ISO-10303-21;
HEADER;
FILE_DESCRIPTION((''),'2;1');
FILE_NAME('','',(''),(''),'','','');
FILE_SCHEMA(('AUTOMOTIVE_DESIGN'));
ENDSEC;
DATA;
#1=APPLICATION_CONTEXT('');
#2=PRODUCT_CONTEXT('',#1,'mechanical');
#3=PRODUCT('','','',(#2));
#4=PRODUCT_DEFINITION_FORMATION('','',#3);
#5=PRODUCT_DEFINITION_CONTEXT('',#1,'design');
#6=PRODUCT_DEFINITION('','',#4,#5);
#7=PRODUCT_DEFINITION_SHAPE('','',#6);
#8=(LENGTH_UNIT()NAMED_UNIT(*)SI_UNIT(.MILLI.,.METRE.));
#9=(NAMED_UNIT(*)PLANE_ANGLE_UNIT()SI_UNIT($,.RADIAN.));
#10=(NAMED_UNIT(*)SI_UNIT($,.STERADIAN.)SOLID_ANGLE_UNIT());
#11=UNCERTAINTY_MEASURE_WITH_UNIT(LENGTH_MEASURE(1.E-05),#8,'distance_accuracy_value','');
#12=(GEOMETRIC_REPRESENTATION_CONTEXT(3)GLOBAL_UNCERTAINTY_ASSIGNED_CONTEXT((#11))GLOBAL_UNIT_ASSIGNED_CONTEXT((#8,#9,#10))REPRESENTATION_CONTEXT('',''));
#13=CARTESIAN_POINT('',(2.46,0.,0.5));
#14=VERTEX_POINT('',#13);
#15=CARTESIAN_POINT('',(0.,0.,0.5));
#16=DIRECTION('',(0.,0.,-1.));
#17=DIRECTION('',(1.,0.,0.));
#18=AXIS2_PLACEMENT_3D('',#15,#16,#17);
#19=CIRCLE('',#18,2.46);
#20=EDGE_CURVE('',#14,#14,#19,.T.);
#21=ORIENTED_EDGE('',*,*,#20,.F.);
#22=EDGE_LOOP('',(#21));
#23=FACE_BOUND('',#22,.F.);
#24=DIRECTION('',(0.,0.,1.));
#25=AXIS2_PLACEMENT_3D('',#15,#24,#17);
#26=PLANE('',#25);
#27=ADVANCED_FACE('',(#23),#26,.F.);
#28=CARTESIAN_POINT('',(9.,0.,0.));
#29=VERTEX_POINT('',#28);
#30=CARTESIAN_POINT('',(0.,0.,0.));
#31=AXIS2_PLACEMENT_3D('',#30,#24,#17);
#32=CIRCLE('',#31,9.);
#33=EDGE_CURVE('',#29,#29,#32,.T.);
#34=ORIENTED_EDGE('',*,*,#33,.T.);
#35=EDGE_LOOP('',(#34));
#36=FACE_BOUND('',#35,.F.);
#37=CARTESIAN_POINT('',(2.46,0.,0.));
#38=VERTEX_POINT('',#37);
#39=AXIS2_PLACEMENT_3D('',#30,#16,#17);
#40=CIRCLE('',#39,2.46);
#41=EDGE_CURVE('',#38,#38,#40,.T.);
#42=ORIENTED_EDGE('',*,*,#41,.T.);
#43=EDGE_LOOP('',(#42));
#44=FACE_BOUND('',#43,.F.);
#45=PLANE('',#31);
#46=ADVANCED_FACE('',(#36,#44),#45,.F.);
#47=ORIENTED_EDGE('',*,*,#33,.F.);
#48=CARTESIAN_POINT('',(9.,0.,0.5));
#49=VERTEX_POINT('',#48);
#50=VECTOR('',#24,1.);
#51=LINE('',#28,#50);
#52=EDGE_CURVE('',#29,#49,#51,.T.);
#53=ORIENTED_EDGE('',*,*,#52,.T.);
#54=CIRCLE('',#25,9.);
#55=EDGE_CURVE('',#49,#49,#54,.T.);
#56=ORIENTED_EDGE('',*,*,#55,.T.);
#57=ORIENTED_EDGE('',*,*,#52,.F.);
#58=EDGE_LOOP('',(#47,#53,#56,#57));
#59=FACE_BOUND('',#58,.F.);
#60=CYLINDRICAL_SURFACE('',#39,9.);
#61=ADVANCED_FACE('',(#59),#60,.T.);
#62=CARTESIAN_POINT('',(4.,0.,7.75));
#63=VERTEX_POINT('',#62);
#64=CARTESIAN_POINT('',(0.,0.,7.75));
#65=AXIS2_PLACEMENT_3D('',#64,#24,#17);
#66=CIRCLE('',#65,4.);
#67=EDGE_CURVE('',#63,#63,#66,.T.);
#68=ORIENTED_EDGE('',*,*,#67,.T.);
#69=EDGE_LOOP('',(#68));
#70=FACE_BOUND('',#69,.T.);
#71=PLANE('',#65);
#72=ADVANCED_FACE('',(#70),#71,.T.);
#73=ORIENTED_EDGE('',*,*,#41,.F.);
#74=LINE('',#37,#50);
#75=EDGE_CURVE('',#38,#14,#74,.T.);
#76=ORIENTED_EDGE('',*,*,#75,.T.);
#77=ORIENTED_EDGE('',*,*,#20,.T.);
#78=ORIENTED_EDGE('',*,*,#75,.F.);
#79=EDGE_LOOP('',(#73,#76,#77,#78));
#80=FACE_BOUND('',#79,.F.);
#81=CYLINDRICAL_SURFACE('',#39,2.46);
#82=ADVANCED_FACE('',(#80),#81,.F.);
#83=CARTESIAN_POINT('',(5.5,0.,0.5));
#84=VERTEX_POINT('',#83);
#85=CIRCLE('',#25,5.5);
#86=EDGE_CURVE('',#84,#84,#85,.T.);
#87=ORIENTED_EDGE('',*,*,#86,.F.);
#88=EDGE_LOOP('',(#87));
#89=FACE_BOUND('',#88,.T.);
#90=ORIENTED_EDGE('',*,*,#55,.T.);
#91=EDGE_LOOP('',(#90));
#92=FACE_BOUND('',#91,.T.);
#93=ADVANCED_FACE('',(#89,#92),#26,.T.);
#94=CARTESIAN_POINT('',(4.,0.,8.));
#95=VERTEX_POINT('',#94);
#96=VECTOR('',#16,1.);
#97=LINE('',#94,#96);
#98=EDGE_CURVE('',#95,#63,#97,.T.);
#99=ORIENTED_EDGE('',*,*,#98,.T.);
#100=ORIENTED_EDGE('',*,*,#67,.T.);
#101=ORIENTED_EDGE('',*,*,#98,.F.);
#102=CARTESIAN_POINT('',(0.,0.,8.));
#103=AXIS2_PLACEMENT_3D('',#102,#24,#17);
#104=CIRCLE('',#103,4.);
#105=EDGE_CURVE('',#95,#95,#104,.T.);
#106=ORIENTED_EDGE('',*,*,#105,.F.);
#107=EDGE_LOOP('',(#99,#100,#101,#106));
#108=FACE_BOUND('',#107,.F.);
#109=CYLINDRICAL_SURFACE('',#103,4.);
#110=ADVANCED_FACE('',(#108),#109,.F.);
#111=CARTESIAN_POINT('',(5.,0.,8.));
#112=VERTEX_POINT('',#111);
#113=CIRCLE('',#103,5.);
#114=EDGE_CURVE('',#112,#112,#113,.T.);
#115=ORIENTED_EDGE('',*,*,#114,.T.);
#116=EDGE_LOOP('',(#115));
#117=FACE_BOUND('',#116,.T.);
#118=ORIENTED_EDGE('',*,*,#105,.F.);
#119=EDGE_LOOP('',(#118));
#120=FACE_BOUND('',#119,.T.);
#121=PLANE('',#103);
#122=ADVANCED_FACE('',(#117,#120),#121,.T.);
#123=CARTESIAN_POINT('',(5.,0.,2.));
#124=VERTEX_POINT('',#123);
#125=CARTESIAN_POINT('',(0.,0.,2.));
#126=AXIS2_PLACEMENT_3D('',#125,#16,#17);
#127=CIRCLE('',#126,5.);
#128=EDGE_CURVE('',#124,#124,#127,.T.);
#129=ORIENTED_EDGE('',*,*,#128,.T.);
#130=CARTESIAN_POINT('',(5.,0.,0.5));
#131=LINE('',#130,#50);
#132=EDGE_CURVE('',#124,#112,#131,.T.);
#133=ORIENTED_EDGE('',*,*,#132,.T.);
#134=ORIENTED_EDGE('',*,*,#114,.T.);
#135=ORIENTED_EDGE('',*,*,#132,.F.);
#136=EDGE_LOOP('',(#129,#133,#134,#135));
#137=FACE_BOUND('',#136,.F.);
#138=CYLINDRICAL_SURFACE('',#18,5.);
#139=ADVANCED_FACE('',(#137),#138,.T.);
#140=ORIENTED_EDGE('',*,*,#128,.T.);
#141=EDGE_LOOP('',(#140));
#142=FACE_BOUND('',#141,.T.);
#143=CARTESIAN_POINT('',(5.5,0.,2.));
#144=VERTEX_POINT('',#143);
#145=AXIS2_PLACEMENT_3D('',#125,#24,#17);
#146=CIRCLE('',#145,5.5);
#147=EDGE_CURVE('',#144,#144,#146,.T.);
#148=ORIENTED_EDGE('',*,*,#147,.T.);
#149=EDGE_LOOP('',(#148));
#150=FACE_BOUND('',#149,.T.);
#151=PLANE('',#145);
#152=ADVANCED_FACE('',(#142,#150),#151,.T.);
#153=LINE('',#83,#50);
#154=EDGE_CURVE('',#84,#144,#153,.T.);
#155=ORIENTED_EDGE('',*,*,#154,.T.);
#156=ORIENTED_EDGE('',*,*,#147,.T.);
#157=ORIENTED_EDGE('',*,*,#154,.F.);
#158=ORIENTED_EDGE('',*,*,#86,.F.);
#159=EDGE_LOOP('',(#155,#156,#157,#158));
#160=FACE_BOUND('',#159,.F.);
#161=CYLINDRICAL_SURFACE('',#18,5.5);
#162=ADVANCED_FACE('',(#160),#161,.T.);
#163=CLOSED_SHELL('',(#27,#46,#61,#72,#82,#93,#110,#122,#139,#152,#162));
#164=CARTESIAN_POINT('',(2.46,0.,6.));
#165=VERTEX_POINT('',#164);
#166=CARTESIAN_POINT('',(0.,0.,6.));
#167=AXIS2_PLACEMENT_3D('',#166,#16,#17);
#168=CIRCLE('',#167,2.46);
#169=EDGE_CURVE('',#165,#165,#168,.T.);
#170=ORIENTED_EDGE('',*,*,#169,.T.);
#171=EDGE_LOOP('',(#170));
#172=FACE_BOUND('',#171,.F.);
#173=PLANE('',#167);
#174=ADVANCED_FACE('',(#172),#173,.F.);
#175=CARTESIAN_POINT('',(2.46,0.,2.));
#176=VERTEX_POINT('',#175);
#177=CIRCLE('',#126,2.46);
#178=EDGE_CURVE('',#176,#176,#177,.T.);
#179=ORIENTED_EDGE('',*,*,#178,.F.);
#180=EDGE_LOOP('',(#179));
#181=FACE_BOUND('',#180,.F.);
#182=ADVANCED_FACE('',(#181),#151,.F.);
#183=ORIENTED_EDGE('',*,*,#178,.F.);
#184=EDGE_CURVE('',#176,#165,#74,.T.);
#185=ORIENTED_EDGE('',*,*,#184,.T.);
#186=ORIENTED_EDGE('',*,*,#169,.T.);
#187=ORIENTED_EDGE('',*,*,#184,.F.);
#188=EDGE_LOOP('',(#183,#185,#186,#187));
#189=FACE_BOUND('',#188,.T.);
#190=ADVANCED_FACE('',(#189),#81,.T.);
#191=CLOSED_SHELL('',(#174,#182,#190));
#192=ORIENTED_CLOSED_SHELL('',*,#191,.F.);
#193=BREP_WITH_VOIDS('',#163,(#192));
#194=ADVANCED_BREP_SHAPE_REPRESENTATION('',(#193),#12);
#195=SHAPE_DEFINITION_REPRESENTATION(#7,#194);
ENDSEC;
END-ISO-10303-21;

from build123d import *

# Parameters (mm, degrees)
F0_R      = 9
F1_DEPTH  = 0.5
F2_R      = 5
F3_DEPTH  = 8
F4_R      = 2.46
F5_DEPTH  = 6
F6_R      = 5
F7_DEPTH  = 0.5
F8_R      = 5.5
F9_DEPTH  = 1.5
F10_R     = 4
F11_DEPTH = 0.25


with BuildPart() as f1:
    # F0 (on Top) → F1 (new body)
    with BuildSketch(Plane.XY):
        Circle(F0_R)
    extrude(amount=F1_DEPTH)

    # F2 (on face) → F3 (join)
    with BuildSketch(Plane.XY.offset(0.5)):
        Circle(F2_R)
    extrude(amount=F3_DEPTH)

    # F4 (on face) → F5 (cut)
    with BuildSketch(Plane(origin=(0, 0, 0), x_dir=(1, 0, 0), z_dir=(0, 0, -1))):
        Circle(F4_R)
    extrude(amount=-F5_DEPTH, mode=Mode.SUBTRACT)

    # F6 (on face) → F7 (cut)
    with BuildSketch(Plane.XY.offset(8.5)):
        Circle(F6_R)
    extrude(amount=-F7_DEPTH, mode=Mode.SUBTRACT)

    # F8 (on face) → F9 (join)
    with BuildSketch(Plane.XY.offset(0.5)):
        Circle(F8_R)
    extrude(amount=F9_DEPTH)

    # F10 (on face) → F11 (cut)
    with BuildSketch(Plane.XY.offset(8)):
        Circle(F10_R)
    extrude(amount=-F11_DEPTH, mode=Mode.SUBTRACT)


solid = f1.part
